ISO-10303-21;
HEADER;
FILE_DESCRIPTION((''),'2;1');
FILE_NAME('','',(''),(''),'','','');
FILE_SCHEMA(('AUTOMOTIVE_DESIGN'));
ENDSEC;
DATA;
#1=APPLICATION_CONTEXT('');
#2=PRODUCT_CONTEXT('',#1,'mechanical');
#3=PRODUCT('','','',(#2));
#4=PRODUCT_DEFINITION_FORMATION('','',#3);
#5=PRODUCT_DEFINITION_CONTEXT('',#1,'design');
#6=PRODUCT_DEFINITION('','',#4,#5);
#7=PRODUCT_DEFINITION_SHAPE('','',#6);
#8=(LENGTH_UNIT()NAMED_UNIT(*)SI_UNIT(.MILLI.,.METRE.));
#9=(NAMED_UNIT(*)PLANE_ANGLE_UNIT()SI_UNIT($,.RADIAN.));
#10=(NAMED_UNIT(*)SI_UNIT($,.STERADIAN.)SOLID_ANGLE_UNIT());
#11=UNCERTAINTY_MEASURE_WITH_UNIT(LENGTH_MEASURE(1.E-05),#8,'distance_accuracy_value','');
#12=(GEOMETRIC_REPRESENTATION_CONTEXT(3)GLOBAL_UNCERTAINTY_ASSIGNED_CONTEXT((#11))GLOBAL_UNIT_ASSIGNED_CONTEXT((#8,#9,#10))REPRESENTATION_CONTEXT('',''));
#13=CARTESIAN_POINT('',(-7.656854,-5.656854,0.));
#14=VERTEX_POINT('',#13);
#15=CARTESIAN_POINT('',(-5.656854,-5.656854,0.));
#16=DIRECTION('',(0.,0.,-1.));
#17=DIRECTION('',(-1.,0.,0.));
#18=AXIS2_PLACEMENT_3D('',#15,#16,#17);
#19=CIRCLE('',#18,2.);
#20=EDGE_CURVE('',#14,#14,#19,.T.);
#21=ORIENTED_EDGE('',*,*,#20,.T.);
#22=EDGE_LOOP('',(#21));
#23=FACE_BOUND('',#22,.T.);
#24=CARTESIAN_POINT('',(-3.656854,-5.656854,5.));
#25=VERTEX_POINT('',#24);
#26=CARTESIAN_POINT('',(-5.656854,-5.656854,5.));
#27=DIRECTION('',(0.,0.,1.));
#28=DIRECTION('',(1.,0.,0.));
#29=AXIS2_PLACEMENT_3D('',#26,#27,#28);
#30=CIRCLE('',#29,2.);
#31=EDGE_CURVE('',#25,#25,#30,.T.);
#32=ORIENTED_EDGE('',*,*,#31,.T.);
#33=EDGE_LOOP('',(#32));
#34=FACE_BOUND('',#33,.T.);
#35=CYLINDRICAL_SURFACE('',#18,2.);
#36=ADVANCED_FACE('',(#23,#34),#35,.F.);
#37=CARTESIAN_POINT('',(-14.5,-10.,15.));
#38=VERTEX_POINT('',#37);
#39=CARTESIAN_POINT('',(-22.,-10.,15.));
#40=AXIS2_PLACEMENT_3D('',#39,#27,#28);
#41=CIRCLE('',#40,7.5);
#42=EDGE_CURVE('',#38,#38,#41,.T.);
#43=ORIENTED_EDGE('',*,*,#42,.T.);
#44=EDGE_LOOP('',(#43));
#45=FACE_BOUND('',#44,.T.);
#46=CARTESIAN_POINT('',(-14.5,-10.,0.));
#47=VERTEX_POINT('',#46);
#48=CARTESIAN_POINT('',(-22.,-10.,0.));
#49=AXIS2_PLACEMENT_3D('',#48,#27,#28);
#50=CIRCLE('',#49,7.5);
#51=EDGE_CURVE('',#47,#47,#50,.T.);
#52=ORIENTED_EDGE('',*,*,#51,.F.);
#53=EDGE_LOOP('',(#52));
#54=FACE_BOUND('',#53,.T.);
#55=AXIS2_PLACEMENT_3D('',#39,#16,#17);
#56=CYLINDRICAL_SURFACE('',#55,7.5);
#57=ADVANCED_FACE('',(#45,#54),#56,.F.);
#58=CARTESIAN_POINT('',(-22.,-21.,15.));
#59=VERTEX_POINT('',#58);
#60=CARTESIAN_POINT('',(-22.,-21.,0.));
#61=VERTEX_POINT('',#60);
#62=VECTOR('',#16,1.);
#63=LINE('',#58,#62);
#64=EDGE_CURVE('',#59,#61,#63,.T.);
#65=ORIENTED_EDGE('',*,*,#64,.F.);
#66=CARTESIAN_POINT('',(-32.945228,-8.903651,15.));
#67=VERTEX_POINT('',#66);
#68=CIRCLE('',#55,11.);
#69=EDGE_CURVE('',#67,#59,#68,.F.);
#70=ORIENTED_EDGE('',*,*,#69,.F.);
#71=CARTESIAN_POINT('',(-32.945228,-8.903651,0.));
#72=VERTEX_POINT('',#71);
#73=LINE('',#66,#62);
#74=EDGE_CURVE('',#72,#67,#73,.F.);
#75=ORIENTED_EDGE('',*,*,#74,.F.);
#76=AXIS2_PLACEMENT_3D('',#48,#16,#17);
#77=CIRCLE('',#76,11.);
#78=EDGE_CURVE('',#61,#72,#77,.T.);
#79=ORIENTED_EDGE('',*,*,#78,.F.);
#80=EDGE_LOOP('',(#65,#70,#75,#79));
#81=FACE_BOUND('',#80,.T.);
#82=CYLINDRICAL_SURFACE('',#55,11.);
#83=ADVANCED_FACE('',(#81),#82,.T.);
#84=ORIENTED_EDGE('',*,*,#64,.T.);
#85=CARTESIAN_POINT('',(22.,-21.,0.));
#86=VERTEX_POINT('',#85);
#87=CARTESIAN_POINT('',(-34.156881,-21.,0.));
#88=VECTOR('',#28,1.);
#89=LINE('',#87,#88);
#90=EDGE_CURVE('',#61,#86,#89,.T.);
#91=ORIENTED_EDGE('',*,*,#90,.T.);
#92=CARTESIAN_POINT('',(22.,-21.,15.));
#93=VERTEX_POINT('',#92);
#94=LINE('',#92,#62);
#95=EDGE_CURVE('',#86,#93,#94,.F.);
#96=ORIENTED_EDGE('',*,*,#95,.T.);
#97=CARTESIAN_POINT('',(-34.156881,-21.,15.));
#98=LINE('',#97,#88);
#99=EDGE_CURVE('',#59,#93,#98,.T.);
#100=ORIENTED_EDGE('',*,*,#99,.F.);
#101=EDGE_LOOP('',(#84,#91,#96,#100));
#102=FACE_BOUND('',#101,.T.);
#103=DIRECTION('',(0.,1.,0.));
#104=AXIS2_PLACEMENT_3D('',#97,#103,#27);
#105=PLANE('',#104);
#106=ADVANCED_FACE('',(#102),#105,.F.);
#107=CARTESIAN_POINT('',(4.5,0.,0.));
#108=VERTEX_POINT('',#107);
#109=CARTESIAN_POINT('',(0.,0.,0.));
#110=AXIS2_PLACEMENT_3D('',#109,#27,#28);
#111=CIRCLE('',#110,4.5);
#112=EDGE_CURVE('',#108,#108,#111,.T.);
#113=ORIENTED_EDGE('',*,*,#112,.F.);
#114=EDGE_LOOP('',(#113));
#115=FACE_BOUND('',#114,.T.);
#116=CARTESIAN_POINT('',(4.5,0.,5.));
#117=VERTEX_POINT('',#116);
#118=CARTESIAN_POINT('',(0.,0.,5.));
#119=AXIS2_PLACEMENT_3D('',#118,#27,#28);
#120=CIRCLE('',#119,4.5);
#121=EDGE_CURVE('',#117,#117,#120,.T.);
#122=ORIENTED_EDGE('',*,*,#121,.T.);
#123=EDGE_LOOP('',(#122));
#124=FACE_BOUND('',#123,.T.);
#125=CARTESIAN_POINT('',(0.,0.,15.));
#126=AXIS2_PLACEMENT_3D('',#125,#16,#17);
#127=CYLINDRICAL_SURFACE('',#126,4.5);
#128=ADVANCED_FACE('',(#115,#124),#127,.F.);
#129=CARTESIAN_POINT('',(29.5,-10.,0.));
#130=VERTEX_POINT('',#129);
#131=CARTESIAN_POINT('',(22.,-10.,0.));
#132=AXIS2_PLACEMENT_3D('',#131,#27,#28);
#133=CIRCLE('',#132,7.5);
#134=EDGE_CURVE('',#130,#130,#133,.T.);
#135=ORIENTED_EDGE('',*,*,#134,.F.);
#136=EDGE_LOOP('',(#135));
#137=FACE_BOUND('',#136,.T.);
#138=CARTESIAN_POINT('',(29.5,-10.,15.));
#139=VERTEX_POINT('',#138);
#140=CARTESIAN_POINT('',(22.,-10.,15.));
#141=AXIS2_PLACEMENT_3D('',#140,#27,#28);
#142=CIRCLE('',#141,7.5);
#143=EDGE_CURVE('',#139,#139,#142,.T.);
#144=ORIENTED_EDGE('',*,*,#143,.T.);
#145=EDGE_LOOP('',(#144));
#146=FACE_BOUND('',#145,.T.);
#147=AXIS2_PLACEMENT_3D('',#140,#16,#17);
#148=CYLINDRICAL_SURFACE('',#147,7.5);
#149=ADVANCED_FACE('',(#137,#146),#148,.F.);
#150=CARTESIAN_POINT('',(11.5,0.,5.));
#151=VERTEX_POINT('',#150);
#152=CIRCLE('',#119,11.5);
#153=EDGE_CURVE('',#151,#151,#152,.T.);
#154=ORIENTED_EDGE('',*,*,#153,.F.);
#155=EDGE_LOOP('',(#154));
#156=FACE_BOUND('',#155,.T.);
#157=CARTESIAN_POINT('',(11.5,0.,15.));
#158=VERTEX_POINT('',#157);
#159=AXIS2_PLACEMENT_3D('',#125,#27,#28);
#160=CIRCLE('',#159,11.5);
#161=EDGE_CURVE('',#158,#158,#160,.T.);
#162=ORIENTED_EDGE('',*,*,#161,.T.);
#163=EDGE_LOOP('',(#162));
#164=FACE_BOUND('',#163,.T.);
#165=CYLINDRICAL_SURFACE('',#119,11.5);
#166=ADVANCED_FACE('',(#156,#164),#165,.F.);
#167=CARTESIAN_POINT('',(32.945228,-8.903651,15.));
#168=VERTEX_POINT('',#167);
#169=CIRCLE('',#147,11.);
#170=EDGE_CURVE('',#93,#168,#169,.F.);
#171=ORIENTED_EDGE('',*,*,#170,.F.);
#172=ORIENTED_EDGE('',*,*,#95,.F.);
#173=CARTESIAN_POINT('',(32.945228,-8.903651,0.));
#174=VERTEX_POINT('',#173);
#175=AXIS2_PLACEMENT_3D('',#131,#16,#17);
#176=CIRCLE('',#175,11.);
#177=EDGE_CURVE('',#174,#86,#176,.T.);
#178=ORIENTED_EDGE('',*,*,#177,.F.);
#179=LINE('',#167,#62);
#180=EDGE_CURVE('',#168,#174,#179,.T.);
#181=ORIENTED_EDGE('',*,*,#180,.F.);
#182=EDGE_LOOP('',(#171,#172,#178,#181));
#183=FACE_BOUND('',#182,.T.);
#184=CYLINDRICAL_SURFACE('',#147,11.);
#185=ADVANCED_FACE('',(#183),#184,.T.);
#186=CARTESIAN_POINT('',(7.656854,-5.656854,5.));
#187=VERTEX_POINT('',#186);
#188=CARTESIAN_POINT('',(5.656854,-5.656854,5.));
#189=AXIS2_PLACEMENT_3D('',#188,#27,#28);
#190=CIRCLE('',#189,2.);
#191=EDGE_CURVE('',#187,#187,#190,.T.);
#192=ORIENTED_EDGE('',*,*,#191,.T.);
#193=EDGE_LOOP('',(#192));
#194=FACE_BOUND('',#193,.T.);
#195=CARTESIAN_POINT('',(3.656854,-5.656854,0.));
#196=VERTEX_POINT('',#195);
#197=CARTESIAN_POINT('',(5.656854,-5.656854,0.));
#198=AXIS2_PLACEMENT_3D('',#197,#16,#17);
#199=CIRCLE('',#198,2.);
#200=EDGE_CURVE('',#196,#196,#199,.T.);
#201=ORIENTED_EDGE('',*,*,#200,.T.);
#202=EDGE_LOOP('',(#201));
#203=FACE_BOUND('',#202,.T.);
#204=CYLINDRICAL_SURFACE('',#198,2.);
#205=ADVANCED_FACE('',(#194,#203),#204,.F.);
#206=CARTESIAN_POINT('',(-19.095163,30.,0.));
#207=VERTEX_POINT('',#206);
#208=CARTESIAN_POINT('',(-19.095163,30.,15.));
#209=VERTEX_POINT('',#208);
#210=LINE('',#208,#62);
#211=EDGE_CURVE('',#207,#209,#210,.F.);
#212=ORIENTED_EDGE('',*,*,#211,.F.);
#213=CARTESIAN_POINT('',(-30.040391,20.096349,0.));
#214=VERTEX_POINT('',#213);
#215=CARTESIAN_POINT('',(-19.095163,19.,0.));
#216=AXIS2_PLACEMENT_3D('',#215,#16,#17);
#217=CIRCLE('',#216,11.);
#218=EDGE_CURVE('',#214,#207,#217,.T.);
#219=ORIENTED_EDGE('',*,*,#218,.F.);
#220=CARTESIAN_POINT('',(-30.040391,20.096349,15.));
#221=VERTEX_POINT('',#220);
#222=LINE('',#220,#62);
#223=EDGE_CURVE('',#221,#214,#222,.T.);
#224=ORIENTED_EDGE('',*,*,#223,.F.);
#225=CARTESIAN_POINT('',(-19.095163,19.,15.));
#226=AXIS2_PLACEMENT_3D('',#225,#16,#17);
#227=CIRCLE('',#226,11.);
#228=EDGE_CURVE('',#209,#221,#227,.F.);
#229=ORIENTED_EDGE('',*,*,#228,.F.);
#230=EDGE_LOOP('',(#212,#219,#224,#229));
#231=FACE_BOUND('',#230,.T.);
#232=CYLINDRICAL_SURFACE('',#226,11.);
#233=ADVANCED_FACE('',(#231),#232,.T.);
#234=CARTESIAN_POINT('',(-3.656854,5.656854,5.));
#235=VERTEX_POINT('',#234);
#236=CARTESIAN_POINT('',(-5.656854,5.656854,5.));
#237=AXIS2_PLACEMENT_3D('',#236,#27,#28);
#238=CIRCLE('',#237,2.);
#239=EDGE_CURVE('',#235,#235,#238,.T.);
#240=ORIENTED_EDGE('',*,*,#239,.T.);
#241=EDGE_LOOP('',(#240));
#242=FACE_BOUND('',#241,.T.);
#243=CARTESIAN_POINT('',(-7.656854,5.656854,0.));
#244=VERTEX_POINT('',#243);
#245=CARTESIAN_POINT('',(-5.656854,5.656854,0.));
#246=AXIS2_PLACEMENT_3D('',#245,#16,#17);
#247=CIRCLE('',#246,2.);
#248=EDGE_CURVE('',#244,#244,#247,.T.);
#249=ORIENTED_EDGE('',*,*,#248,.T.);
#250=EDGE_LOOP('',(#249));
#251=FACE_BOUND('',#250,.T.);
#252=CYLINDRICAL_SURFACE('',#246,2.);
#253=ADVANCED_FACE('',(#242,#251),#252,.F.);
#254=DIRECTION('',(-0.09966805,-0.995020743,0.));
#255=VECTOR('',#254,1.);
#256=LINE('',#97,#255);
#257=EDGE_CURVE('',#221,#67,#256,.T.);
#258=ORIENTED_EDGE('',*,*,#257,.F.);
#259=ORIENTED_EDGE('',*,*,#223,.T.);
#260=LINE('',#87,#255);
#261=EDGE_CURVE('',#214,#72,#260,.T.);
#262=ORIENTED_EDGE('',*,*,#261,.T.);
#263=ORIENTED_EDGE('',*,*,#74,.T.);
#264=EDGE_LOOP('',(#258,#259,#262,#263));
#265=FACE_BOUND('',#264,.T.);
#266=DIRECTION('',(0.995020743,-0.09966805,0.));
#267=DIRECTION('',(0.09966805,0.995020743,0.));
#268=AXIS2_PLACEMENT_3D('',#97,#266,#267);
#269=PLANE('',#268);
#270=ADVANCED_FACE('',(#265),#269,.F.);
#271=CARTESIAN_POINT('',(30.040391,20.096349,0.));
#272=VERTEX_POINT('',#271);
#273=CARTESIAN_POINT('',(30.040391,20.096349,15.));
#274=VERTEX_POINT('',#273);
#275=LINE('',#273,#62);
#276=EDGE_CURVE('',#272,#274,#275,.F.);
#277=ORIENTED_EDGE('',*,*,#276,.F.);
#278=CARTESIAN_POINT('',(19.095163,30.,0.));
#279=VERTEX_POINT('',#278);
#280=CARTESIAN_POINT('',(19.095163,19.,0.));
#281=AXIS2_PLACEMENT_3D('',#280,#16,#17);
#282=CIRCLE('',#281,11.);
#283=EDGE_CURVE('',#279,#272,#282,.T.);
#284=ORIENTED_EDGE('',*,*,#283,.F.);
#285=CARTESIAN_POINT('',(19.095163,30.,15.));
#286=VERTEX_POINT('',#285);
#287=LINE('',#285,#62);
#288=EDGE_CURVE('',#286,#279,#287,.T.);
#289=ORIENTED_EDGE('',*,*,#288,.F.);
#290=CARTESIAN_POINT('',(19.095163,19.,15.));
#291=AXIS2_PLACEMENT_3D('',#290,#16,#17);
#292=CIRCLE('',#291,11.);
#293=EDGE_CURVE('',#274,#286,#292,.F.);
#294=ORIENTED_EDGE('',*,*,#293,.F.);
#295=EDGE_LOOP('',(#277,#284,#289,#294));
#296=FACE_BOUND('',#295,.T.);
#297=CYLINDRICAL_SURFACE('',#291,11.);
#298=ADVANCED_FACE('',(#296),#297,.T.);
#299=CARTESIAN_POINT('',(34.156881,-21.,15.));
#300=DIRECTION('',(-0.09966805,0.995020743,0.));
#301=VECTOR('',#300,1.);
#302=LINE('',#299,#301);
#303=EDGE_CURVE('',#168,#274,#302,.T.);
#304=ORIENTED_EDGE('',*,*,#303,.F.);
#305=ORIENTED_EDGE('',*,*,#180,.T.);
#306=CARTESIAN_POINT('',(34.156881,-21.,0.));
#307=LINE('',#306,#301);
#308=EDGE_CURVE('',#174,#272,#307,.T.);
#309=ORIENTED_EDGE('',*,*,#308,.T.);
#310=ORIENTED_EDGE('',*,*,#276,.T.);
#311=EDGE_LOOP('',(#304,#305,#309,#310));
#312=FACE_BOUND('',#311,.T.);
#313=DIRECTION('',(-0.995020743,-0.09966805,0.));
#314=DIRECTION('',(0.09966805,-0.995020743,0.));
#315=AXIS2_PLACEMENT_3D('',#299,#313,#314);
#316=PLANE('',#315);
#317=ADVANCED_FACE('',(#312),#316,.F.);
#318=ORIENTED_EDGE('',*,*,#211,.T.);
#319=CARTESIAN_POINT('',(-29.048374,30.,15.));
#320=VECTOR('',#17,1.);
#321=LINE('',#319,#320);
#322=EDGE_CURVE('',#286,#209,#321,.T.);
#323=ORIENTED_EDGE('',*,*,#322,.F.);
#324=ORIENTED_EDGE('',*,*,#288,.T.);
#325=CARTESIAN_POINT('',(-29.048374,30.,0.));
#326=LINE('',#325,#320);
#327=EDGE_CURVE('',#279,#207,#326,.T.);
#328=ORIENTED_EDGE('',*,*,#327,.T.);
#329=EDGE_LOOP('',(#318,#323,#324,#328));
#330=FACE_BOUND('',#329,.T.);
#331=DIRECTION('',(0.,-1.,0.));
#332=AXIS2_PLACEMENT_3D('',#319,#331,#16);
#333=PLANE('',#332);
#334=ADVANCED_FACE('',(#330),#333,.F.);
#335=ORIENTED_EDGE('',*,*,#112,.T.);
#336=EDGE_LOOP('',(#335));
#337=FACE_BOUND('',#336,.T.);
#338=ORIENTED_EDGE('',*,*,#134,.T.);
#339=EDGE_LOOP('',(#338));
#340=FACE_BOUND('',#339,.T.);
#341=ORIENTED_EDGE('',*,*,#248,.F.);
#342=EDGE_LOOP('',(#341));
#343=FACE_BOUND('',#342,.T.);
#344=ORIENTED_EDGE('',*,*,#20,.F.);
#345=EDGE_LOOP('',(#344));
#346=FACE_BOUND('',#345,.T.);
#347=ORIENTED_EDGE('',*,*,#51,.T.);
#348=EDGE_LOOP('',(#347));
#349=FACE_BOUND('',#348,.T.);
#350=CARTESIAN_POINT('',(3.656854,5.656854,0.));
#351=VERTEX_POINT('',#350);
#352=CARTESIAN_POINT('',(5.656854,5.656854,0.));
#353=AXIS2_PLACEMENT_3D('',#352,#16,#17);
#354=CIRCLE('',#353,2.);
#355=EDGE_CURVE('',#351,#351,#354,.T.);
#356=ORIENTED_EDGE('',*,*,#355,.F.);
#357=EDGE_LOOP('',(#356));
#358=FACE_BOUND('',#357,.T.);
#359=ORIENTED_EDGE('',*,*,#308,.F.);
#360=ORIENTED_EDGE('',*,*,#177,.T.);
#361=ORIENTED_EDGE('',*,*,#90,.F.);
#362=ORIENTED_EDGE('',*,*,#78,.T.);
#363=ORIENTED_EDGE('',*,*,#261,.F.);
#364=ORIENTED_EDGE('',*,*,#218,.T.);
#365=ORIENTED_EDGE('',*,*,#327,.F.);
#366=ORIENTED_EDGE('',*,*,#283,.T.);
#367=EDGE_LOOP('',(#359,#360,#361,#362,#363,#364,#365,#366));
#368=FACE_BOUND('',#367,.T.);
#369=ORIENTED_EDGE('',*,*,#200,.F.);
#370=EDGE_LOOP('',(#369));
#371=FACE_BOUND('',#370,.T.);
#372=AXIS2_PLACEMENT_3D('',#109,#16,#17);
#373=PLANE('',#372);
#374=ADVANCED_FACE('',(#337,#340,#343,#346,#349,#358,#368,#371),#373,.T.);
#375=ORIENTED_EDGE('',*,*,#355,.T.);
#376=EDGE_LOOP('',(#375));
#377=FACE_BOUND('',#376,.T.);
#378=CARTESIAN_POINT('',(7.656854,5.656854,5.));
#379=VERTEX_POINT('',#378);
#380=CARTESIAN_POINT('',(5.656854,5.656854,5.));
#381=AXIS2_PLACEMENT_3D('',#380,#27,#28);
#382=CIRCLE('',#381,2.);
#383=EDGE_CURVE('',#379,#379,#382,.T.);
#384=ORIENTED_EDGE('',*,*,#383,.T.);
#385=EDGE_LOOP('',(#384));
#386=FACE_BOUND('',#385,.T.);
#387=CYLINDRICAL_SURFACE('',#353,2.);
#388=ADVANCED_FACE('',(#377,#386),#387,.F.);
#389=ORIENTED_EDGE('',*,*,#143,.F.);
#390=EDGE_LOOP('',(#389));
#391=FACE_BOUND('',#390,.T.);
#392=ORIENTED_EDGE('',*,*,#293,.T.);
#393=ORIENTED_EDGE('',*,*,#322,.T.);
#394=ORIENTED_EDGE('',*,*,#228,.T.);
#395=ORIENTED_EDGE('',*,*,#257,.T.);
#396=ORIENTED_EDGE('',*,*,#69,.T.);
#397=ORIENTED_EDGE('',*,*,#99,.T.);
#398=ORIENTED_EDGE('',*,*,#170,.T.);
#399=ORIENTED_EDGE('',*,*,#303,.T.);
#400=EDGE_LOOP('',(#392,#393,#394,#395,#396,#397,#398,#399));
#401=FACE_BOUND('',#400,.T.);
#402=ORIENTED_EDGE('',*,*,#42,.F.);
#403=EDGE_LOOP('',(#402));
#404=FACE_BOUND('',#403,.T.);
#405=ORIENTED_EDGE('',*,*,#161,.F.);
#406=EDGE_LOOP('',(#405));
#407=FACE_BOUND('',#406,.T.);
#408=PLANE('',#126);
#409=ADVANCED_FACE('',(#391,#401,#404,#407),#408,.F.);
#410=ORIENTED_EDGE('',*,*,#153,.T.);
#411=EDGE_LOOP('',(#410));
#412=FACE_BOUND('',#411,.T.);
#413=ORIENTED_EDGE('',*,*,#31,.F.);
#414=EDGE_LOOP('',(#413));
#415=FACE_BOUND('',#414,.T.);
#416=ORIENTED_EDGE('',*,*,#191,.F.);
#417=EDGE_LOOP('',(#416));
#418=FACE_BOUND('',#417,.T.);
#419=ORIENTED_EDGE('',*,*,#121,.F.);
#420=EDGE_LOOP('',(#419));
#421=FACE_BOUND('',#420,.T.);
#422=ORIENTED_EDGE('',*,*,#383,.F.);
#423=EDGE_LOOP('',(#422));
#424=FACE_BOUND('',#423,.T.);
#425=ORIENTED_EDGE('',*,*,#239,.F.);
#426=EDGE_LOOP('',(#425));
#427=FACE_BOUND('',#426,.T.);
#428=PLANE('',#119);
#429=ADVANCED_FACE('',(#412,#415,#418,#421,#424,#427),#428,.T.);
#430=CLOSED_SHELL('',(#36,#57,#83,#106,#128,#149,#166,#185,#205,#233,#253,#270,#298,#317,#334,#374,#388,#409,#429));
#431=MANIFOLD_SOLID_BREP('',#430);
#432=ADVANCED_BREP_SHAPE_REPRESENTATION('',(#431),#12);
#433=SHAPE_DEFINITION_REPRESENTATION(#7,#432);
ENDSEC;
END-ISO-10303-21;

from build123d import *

# Parameters (mm, degrees)
CROQUIS2_R                   = 7.5
CROQUIS2_R_2                 = 4.5
SALIENTE_EXTRUIR1_DEPTH      = 15
REDONDEO2_R                  = 11
CROQUIS4_R                   = 11.5
CORTAR_EXTRUIR1_DEPTH        = 10
TALADRO_DE_MARGEN_PARA_M31_D = 4
MATRIZC1_COUNT               = 4


with BuildPart() as part:
    # Croquis2 → Saliente-Extruir1 (new body)
    with BuildSketch(Plane.XY):
        Polygon((-34.156880773, -21), (34.156880773, -21), (29.048373678, 30), (-29.048373678, 30), align=None)
        with Locations((22, -10)):
            Circle(CROQUIS2_R, mode=Mode.SUBTRACT)
        with Locations((-22, -10)):
            Circle(CROQUIS2_R, mode=Mode.SUBTRACT)
        Circle(CROQUIS2_R_2, mode=Mode.SUBTRACT)
    extrude(amount=SALIENTE_EXTRUIR1_DEPTH)

    # Redondeo2
    redondeo2_edges = [part.edges().sort_by_distance(p)[0] for p in [
        (34.156880773, -21, 7.5),
        (-34.156880773, -21, 7.5),
        (-29.048373678, 30, 7.5),
        (29.048373678, 30, 7.5),
    ]]
    fillet(redondeo2_edges, radius=REDONDEO2_R)

    # Croquis4 → Cortar-Extruir1 (cut)
    with BuildSketch(Plane.XY.offset(15)):
        Circle(CROQUIS4_R)
    extrude(amount=-CORTAR_EXTRUIR1_DEPTH, mode=Mode.SUBTRACT)

    # Taladro de margen para M31 (through all)
    with Locations(Plane(origin=(0, 0, 0), x_dir=(-1, 0, 0), z_dir=(0, 0, -1))):
        with Locations((-5.656854249, 5.656854249)):
            taladro_de_margen_para_m31 = Hole(TALADRO_DE_MARGEN_PARA_M31_D / 2)

    # MatrizC1: Taladro de margen para M31 ×4 about axis
    matrizc1_axis = Axis((0, 0, 0), (0, 0, 1))
    for i in range(1, MATRIZC1_COUNT):
        add(taladro_de_margen_para_m31.rotate(matrizc1_axis, i * 360 / MATRIZC1_COUNT), mode=Mode.SUBTRACT)


solid = part.part
